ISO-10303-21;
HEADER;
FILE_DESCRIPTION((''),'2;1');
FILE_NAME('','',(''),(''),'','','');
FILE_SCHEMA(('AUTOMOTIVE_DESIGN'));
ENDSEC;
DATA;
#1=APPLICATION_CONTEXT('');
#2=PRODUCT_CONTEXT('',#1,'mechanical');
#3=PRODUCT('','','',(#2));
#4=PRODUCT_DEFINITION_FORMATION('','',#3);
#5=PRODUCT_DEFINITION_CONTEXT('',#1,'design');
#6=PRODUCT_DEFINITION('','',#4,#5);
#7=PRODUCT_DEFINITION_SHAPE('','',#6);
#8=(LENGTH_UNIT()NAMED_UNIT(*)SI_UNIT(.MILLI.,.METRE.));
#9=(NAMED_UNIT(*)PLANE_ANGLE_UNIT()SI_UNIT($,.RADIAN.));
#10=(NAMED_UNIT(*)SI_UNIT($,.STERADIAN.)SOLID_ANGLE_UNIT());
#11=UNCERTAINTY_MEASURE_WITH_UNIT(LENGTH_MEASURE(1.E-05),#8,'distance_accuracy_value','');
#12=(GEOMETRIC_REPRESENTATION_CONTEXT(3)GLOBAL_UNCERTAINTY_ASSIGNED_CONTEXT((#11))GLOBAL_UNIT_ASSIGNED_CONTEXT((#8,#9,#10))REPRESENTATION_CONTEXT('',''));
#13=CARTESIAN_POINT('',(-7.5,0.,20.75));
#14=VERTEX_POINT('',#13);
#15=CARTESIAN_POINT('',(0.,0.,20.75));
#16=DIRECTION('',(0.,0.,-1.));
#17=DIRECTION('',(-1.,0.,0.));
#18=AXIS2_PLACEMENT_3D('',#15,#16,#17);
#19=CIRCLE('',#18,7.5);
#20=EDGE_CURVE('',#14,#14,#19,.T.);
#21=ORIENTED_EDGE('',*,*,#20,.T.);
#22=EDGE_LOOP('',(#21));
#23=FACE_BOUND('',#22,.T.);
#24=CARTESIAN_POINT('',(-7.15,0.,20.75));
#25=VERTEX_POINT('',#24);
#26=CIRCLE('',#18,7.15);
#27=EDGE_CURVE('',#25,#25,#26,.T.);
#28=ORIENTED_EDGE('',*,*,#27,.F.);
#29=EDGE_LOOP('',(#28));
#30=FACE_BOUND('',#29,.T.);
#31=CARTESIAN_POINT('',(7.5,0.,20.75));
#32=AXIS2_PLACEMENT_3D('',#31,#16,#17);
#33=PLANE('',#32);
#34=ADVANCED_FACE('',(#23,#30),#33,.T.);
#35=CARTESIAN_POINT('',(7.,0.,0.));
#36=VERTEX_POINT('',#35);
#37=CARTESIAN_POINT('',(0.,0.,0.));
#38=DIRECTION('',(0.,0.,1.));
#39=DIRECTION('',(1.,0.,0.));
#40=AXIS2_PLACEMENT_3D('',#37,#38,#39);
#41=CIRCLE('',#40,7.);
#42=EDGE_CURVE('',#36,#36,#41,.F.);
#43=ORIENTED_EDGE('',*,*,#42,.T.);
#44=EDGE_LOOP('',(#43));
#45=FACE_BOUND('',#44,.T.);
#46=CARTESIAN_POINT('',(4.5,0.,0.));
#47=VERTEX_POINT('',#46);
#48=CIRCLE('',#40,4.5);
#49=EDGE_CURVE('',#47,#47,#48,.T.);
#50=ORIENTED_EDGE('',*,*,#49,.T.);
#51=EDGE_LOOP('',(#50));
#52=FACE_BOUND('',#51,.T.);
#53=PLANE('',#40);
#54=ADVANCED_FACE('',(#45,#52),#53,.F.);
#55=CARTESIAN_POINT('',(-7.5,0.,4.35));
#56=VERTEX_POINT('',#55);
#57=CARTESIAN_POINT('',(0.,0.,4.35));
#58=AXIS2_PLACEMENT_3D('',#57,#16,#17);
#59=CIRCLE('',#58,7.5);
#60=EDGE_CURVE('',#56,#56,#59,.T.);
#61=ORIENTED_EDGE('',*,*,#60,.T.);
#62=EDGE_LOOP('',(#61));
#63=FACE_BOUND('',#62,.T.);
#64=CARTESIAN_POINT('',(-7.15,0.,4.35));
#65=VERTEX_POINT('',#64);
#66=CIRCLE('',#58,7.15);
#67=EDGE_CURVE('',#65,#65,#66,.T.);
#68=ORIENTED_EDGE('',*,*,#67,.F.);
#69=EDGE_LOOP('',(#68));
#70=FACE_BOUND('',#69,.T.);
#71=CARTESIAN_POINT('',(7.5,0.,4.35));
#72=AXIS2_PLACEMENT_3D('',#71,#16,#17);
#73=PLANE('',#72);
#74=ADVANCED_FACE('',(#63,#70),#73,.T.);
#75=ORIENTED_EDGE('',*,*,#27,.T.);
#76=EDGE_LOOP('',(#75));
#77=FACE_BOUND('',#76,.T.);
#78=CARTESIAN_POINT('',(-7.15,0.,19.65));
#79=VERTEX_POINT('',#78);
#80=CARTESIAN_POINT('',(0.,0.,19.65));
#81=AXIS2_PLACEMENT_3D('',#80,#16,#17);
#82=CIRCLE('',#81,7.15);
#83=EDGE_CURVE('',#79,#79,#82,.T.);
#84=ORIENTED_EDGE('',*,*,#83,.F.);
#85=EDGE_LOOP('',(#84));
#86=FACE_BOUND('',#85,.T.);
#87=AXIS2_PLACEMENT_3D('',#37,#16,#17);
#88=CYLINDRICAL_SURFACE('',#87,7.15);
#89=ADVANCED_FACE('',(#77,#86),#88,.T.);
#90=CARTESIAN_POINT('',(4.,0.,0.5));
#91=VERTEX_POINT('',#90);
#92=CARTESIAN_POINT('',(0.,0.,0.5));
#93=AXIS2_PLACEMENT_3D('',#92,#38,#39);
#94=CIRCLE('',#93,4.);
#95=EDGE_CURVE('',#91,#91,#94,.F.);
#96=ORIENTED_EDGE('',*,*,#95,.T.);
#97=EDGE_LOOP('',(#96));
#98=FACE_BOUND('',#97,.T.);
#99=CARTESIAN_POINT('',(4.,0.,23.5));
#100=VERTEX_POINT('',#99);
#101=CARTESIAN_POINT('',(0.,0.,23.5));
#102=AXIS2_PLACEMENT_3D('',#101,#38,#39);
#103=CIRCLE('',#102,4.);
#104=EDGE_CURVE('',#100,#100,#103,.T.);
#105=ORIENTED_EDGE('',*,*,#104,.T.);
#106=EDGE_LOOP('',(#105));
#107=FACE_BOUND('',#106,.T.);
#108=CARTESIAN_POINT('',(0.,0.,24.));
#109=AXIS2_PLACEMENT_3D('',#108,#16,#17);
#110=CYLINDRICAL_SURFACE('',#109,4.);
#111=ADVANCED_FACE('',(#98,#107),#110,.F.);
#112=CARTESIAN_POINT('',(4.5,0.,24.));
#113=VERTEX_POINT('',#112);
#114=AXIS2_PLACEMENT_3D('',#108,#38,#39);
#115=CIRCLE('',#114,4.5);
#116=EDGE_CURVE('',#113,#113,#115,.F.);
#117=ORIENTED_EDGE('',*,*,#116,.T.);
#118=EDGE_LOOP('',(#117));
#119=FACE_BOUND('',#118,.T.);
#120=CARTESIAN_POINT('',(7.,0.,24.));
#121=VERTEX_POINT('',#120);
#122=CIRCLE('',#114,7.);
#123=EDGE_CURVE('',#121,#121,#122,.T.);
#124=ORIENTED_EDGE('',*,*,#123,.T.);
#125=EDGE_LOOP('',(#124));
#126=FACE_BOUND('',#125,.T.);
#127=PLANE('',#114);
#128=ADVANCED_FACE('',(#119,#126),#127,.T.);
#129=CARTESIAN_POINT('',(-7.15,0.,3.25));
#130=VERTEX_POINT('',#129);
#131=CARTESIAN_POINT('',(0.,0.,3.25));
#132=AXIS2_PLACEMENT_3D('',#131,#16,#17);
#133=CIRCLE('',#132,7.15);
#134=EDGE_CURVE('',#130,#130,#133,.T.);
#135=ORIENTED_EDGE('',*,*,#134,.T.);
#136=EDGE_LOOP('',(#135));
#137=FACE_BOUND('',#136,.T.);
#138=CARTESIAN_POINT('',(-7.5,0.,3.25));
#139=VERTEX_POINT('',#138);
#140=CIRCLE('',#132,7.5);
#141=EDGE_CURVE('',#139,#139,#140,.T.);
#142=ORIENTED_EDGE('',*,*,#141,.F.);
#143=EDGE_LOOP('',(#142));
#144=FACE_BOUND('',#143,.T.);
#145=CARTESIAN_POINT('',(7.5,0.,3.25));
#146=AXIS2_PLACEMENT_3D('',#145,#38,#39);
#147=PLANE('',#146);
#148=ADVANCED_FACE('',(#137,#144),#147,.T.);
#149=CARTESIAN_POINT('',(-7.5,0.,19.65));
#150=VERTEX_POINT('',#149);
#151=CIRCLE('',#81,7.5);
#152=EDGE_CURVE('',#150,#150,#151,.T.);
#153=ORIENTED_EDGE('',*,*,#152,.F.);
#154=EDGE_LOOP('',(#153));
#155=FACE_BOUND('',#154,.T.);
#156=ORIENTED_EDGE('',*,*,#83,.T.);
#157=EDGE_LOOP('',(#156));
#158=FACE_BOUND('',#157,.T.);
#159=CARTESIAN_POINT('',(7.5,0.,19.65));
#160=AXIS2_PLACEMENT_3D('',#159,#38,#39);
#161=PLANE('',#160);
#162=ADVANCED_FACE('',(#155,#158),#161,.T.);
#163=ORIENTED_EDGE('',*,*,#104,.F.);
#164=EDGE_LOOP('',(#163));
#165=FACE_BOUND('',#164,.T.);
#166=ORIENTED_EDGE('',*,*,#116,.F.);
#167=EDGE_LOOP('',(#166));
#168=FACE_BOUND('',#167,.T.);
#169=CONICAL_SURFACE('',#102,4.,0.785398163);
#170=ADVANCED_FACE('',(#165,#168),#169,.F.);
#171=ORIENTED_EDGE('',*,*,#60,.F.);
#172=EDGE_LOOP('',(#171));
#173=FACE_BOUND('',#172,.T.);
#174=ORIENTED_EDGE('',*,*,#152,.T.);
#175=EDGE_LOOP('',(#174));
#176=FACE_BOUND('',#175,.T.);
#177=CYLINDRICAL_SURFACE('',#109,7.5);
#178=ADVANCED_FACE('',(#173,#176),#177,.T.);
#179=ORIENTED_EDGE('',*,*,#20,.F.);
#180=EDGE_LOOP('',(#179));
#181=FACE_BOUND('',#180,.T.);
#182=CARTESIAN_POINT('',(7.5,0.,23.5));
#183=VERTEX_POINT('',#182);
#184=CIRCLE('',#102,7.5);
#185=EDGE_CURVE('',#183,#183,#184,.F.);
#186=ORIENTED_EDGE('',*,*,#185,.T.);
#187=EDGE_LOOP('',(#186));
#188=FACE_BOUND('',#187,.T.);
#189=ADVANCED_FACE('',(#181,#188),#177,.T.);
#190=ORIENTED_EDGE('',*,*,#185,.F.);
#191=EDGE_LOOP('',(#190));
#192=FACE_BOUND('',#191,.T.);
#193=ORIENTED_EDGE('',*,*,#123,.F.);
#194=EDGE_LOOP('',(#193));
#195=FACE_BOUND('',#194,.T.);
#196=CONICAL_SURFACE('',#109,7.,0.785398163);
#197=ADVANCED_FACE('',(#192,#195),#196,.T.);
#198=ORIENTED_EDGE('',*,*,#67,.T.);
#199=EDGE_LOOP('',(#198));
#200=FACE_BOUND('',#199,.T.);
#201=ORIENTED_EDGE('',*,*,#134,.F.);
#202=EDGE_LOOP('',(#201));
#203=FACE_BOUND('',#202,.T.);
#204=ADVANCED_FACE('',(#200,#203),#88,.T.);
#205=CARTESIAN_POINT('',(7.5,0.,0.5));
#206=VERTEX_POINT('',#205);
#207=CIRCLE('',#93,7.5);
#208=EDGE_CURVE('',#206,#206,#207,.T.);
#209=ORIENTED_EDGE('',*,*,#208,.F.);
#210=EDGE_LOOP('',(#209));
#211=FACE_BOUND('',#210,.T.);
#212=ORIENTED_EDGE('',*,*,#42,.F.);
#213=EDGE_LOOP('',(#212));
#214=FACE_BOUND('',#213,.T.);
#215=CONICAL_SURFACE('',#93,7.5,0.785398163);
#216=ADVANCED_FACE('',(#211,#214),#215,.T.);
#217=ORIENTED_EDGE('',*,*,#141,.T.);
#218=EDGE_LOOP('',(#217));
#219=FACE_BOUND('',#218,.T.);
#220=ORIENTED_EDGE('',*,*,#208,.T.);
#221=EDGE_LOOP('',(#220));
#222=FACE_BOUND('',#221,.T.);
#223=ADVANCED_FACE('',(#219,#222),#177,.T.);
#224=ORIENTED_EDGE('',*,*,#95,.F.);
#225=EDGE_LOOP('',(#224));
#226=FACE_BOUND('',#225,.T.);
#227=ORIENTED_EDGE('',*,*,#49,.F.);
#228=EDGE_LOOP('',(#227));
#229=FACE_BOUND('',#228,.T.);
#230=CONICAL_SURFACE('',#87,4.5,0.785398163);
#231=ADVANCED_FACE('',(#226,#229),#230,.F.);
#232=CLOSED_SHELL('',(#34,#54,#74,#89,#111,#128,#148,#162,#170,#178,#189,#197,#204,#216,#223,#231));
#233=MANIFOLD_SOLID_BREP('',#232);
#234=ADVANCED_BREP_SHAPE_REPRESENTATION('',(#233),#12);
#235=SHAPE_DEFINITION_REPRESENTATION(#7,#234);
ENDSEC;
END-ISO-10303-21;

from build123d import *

# Parameters (mm, degrees)
SKETCH_1_R      = 7.5
SKETCH_1_R_2    = 4
EXTRUDE_1_DEPTH = 24
CHAMFER_1_SIZE  = 0.5
SKETCH_2_W      = 0.35
SKETCH_2_H      = 1.1


with BuildPart() as part:
    # 草图1 → 凸台-拉伸1 (new body)
    with BuildSketch(Plane.XY):
        Circle(SKETCH_1_R)
        Circle(SKETCH_1_R_2, mode=Mode.SUBTRACT)
    extrude(amount=EXTRUDE_1_DEPTH)

    # 倒角1
    chamfer_1_edges = [part.edges().sort_by_distance(p)[0] for p in [
        (-7.5, 0, 0),
        (-7.5, 0, 24),
        (-4, 0, 0),
        (-4, 0, 24),
    ]]
    chamfer(chamfer_1_edges, length=CHAMFER_1_SIZE)

    # 草图2 → 切除-旋转1 (revolve, cut)
    with BuildSketch(Plane(origin=(0, 0, 0), x_dir=(1, 0, 0), z_dir=(0, 1, 0)), mode=Mode.PRIVATE) as cut_revolve_1_sk:
        with Locations((7.325, -3.8)):
            Rectangle(SKETCH_2_W, SKETCH_2_H)
        with Locations((7.325, -20.2)):
            Rectangle(SKETCH_2_W, SKETCH_2_H)
    revolve(cut_revolve_1_sk.sketch.rotate(Axis((0, 0, 0), (0, 0, 1)), 180), axis=Axis((0, 0, 0), (0, 0, 1)), mode=Mode.SUBTRACT)


solid = part.part
